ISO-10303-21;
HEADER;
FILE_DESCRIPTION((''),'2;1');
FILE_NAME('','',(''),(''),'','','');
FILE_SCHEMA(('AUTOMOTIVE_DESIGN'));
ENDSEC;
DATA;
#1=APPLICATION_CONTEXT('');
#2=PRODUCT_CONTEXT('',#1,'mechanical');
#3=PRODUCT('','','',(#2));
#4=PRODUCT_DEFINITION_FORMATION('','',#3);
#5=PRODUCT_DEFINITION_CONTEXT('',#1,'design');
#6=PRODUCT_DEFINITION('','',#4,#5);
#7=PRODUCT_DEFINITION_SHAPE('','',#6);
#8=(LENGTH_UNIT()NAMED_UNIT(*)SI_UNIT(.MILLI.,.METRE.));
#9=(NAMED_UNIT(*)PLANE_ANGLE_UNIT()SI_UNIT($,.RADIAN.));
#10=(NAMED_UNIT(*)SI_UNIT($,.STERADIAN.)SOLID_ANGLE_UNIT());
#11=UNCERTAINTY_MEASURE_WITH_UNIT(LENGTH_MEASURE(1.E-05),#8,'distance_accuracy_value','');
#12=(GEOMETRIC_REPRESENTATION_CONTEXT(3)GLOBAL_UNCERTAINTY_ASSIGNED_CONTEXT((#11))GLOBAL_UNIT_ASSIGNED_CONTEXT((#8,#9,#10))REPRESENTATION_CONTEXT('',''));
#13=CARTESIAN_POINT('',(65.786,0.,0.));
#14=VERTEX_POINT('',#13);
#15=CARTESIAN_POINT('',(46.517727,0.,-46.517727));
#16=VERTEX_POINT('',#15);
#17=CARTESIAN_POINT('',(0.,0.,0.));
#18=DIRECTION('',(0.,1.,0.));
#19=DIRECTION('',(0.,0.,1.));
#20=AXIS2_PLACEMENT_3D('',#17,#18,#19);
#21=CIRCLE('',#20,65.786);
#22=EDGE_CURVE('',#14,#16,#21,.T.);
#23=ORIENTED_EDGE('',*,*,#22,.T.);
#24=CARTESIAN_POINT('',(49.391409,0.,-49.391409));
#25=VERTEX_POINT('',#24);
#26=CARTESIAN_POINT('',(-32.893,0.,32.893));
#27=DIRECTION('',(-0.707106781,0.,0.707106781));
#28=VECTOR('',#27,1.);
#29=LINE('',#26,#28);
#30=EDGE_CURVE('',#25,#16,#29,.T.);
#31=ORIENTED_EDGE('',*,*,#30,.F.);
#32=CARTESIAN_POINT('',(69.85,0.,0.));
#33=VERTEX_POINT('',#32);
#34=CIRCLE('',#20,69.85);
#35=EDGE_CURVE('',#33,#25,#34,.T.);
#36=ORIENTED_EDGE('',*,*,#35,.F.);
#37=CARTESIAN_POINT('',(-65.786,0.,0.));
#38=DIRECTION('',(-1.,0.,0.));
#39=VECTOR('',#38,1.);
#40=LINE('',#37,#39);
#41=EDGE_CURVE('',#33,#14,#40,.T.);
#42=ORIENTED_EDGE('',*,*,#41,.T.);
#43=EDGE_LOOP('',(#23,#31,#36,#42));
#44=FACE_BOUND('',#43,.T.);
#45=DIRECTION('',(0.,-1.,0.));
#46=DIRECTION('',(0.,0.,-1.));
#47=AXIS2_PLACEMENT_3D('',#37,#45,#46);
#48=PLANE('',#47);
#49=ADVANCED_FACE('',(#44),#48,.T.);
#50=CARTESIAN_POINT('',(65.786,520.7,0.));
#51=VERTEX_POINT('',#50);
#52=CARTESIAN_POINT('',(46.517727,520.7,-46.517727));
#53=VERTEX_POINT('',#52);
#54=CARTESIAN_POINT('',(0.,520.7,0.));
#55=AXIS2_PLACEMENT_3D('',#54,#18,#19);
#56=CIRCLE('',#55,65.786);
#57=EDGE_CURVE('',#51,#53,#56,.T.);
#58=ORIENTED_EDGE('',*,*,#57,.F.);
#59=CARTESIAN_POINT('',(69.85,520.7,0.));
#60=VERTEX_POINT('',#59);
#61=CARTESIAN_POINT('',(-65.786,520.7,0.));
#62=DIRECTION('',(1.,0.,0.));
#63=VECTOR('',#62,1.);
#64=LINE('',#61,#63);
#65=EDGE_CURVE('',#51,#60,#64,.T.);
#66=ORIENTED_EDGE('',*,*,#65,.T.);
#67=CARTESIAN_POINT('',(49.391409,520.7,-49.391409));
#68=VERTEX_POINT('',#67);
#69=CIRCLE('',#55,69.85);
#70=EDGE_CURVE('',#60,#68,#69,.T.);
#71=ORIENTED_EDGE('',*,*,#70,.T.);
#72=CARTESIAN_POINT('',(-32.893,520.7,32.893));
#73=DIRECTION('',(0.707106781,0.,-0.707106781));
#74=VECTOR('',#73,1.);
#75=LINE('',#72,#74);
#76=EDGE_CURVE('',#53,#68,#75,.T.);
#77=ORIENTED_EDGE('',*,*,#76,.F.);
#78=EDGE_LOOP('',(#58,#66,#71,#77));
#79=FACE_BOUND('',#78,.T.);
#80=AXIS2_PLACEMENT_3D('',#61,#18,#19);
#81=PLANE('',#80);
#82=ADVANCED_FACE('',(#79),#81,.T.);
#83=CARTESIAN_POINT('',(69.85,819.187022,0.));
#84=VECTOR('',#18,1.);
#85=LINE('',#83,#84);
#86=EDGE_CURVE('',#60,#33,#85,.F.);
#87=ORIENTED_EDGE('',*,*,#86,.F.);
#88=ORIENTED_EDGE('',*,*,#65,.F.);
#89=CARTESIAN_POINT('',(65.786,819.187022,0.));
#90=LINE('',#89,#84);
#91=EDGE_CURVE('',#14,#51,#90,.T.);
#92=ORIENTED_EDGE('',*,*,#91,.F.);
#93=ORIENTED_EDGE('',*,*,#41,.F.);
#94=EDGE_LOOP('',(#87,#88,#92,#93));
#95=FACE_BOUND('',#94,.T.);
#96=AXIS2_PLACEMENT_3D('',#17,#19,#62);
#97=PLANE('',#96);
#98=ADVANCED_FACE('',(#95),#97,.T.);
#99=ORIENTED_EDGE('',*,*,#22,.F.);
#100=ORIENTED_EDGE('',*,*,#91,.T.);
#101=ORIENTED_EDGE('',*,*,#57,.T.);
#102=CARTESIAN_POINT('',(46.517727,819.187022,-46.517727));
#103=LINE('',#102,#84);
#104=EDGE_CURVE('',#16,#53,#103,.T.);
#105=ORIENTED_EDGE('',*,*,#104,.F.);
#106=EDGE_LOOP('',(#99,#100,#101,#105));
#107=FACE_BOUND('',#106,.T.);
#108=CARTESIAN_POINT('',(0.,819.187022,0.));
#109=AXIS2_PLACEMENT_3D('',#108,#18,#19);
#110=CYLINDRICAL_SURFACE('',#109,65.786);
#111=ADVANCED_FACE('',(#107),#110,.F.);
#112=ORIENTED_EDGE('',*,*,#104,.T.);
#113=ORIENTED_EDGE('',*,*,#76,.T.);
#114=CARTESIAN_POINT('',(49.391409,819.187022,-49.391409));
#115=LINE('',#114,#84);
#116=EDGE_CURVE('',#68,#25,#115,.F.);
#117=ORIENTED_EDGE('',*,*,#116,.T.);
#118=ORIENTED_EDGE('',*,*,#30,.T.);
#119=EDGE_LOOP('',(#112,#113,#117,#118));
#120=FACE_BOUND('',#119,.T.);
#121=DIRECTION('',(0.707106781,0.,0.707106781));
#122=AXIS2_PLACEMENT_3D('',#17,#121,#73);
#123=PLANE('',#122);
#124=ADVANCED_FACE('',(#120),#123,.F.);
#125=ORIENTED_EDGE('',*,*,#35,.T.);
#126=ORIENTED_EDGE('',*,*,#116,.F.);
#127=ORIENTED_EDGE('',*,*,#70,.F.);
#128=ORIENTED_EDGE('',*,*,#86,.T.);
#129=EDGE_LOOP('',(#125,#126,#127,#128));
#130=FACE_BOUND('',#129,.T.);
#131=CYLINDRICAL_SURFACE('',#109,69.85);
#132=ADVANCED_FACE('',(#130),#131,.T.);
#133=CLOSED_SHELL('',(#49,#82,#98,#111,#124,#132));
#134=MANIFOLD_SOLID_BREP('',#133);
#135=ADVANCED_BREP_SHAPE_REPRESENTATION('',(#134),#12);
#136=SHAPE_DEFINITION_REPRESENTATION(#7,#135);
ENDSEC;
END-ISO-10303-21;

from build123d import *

# Parameters (mm, degrees)
SKETCH2_W          = 4.064
SKETCH2_H          = 520.7
SKETCH3_W          = 133.284946351
SKETCH3_H          = 614.773092451
CUT_REVOLVE1_ANGLE = 315


with BuildPart() as part:
    # Sketch2 → Revolve1 (revolve)
    with BuildSketch(Plane.XY):
        with Locations((-67.818, 260.35)):
            Rectangle(SKETCH2_W, SKETCH2_H)
    revolve(axis=Axis((0, 819.187021794, 0), (0, -1, 0)))

    # Sketch3 → Cut-Revolve1 (revolve, cut)
    with BuildSketch(Plane.XY):
        with Locations((66.642473176, 255.432223208)):
            Rectangle(SKETCH3_W, SKETCH3_H)
    revolve(axis=Axis((0, 819.187021794, 0), (0, -1, 0)), revolution_arc=CUT_REVOLVE1_ANGLE, mode=Mode.SUBTRACT)


solid = part.part
